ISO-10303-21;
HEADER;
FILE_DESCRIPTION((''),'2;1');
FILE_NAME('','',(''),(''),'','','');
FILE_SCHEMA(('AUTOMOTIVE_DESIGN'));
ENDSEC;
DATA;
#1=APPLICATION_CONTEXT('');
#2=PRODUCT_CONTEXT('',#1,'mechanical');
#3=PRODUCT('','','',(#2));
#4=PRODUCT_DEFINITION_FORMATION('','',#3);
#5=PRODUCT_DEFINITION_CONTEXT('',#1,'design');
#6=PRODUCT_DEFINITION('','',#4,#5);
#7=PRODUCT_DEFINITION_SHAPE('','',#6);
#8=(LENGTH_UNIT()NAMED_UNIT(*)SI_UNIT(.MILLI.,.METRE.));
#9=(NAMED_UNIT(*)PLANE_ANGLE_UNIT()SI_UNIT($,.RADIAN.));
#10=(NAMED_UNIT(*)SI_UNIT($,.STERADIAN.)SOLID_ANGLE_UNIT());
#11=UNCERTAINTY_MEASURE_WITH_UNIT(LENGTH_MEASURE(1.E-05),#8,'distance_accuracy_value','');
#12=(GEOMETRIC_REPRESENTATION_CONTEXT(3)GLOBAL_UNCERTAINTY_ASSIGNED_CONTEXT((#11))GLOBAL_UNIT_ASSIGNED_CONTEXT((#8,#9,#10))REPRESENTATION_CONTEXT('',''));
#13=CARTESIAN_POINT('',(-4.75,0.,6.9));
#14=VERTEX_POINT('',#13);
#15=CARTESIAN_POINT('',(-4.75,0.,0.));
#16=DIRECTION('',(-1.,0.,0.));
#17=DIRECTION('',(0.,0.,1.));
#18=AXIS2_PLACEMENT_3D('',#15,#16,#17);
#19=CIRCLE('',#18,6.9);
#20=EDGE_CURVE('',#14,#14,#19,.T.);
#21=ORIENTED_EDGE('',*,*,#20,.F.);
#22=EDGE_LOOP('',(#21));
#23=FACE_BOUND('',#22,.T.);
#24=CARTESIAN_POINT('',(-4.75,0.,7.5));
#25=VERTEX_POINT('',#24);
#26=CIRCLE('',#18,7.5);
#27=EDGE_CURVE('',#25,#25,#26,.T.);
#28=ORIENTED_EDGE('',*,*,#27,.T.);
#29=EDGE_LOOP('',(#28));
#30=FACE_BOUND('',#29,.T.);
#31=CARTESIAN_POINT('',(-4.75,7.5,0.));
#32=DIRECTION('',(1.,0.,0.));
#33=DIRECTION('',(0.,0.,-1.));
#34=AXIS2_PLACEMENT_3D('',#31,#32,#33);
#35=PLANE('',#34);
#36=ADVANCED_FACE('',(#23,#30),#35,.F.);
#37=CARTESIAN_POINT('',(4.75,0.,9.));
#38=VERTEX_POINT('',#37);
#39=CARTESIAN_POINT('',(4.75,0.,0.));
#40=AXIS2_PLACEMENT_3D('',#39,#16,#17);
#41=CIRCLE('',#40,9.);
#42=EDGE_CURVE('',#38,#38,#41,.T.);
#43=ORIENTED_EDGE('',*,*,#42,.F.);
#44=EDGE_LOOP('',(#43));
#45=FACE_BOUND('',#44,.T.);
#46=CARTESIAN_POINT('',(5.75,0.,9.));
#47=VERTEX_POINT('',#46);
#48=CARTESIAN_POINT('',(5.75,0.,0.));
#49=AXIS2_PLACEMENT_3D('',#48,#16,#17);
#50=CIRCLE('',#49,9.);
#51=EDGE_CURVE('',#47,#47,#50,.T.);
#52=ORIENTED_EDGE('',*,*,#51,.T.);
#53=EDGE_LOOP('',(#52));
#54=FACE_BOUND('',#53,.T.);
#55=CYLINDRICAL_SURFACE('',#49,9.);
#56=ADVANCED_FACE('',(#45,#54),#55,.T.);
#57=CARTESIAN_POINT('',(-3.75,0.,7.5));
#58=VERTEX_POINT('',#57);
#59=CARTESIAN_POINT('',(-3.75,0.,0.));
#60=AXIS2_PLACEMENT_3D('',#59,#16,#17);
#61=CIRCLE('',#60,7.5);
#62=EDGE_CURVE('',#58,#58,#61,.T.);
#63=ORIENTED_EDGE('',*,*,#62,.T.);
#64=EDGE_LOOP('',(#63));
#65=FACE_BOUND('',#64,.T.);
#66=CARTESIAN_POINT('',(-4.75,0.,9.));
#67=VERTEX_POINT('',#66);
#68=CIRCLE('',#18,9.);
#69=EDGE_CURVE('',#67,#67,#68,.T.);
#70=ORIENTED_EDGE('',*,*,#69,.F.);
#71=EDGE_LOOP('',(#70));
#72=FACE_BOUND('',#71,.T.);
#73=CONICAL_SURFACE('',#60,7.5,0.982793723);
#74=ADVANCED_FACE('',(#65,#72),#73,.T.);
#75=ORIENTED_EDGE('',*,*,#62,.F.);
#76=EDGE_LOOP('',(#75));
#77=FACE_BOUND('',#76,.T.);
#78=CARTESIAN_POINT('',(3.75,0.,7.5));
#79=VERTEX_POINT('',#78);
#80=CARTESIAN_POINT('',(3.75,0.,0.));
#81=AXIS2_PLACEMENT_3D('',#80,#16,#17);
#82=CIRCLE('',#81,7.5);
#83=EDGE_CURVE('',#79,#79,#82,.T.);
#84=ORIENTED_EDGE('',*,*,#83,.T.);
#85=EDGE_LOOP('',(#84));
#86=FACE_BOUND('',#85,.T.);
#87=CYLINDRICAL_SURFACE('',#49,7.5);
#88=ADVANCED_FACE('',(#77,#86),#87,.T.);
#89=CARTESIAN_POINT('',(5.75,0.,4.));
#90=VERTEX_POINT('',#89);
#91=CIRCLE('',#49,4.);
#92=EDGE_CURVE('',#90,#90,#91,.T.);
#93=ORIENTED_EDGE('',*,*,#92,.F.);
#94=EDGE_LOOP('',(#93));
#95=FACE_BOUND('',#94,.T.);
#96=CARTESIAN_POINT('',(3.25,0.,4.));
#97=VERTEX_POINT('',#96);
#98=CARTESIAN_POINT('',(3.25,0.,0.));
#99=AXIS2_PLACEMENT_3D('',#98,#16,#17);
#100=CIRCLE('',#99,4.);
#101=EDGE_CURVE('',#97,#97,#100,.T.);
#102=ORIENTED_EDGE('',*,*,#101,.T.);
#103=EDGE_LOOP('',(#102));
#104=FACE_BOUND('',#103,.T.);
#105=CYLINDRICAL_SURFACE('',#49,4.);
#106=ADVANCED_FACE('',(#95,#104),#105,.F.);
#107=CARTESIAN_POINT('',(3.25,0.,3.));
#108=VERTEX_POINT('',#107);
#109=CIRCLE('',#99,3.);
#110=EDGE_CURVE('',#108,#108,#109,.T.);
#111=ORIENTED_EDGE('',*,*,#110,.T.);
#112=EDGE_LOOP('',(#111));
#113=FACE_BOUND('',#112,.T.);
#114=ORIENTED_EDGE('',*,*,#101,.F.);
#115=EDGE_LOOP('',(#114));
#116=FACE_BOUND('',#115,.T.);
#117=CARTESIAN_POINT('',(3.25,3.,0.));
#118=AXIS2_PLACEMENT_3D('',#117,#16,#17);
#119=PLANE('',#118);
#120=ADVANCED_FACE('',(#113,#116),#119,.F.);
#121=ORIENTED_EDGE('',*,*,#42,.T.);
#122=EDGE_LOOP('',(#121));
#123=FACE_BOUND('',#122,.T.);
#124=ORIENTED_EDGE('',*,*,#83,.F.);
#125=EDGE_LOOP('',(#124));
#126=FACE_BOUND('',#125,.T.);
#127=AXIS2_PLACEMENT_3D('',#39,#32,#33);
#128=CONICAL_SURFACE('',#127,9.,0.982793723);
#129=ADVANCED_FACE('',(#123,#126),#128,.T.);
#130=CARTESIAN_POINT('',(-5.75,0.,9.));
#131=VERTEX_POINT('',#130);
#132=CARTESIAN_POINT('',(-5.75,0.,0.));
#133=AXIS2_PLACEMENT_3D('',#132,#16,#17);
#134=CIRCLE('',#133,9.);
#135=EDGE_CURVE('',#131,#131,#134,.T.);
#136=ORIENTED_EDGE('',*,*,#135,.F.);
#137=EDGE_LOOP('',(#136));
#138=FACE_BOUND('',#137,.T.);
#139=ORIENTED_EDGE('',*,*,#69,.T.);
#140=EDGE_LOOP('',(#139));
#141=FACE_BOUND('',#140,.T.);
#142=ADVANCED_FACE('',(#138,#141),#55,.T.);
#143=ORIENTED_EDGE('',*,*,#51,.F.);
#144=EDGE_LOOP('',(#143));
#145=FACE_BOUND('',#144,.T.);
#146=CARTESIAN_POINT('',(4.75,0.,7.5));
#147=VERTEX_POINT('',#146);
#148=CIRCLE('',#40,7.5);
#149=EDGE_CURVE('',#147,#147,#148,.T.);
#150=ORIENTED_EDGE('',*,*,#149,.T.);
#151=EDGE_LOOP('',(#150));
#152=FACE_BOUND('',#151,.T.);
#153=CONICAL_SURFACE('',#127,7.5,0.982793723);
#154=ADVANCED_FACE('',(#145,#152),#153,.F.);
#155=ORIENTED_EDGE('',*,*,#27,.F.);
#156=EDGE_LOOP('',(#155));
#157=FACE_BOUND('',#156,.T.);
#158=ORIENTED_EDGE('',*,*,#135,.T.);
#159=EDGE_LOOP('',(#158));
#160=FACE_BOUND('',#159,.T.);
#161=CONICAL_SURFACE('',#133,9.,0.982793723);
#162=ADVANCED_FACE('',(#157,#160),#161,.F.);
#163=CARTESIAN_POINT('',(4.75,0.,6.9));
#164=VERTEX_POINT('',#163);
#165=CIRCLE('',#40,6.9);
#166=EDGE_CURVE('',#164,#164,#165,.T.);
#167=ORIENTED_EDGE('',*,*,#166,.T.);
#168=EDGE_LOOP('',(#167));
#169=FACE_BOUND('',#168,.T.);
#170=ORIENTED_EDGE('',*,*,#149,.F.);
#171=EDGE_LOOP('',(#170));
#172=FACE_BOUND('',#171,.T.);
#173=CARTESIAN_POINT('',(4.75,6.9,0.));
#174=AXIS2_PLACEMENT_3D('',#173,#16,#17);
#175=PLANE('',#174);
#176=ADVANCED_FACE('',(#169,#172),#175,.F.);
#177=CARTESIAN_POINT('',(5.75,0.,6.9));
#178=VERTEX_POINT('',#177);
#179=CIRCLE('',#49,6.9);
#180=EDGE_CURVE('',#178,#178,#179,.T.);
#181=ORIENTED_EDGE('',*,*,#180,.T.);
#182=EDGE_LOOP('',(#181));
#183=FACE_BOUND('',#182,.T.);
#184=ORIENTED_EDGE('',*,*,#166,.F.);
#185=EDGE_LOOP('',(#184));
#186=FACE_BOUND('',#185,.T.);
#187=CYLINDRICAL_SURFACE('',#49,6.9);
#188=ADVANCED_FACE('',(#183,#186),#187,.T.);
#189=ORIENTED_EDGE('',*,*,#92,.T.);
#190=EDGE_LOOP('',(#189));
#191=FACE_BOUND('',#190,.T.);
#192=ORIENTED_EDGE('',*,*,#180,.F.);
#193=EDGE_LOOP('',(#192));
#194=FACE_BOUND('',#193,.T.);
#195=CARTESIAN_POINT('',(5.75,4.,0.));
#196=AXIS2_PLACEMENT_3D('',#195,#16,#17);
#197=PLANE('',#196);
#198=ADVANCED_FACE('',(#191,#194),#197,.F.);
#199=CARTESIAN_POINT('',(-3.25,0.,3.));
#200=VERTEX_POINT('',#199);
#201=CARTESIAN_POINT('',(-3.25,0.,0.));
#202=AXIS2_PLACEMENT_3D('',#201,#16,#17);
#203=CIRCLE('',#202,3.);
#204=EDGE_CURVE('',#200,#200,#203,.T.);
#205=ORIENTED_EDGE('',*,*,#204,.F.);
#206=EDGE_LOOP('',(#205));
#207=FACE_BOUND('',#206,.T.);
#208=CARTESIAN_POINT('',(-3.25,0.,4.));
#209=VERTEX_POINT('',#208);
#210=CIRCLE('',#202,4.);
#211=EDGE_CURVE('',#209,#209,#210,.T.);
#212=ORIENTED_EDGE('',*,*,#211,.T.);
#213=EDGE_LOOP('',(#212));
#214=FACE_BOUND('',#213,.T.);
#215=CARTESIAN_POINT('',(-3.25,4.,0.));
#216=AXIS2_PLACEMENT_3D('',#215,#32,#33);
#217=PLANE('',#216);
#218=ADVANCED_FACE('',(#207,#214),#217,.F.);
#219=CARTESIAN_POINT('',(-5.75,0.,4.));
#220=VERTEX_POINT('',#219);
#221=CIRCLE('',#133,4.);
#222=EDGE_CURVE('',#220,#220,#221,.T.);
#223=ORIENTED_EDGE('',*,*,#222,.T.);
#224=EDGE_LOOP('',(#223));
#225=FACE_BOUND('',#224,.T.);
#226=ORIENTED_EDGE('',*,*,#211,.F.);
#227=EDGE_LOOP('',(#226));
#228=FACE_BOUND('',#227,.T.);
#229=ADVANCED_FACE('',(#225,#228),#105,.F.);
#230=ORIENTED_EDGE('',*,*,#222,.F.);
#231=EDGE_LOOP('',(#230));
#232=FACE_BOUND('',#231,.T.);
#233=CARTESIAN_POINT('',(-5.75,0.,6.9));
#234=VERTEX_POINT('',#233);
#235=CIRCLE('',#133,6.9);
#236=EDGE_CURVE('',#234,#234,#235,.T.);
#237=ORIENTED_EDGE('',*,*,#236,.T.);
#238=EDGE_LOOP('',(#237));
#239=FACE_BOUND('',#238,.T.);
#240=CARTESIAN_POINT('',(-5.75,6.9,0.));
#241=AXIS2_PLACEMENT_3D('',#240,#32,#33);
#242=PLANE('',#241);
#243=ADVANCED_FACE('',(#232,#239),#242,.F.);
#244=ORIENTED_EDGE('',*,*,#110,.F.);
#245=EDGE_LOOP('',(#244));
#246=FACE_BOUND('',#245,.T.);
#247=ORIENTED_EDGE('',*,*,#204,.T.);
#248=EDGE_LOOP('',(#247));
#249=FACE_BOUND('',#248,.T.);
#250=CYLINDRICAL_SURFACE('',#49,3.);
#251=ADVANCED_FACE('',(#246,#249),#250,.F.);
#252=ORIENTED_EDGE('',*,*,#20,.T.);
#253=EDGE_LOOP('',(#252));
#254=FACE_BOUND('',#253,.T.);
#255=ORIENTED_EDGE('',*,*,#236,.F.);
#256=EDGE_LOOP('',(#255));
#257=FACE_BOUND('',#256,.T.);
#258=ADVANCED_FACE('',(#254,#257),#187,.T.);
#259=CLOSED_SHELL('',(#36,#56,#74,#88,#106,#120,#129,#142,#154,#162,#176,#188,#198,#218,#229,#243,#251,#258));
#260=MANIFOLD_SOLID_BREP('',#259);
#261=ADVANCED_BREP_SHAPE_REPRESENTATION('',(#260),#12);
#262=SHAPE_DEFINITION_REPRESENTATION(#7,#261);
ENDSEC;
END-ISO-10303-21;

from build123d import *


with BuildPart() as part:
    # Sketch1 → Revolve1 (revolve)
    with BuildSketch(Plane.XY):
        Polygon((-5.75, 9), (-4.75, 7.5), (-4.75, 6.9), (-5.75, 6.9), (-5.75, 4), (-3.25, 4), (-3.25, 3), (3.25, 3), (3.25, 4), (5.75, 4), (5.75, 6.9), (4.75, 6.9), (4.75, 7.5), (5.75, 9), (4.75, 9), (3.75, 7.5), (-3.75, 7.5), (-4.75, 9), align=None)
    revolve(axis=Axis((5.75, 0, 0), (-1, 0, 0)))


solid = part.part
